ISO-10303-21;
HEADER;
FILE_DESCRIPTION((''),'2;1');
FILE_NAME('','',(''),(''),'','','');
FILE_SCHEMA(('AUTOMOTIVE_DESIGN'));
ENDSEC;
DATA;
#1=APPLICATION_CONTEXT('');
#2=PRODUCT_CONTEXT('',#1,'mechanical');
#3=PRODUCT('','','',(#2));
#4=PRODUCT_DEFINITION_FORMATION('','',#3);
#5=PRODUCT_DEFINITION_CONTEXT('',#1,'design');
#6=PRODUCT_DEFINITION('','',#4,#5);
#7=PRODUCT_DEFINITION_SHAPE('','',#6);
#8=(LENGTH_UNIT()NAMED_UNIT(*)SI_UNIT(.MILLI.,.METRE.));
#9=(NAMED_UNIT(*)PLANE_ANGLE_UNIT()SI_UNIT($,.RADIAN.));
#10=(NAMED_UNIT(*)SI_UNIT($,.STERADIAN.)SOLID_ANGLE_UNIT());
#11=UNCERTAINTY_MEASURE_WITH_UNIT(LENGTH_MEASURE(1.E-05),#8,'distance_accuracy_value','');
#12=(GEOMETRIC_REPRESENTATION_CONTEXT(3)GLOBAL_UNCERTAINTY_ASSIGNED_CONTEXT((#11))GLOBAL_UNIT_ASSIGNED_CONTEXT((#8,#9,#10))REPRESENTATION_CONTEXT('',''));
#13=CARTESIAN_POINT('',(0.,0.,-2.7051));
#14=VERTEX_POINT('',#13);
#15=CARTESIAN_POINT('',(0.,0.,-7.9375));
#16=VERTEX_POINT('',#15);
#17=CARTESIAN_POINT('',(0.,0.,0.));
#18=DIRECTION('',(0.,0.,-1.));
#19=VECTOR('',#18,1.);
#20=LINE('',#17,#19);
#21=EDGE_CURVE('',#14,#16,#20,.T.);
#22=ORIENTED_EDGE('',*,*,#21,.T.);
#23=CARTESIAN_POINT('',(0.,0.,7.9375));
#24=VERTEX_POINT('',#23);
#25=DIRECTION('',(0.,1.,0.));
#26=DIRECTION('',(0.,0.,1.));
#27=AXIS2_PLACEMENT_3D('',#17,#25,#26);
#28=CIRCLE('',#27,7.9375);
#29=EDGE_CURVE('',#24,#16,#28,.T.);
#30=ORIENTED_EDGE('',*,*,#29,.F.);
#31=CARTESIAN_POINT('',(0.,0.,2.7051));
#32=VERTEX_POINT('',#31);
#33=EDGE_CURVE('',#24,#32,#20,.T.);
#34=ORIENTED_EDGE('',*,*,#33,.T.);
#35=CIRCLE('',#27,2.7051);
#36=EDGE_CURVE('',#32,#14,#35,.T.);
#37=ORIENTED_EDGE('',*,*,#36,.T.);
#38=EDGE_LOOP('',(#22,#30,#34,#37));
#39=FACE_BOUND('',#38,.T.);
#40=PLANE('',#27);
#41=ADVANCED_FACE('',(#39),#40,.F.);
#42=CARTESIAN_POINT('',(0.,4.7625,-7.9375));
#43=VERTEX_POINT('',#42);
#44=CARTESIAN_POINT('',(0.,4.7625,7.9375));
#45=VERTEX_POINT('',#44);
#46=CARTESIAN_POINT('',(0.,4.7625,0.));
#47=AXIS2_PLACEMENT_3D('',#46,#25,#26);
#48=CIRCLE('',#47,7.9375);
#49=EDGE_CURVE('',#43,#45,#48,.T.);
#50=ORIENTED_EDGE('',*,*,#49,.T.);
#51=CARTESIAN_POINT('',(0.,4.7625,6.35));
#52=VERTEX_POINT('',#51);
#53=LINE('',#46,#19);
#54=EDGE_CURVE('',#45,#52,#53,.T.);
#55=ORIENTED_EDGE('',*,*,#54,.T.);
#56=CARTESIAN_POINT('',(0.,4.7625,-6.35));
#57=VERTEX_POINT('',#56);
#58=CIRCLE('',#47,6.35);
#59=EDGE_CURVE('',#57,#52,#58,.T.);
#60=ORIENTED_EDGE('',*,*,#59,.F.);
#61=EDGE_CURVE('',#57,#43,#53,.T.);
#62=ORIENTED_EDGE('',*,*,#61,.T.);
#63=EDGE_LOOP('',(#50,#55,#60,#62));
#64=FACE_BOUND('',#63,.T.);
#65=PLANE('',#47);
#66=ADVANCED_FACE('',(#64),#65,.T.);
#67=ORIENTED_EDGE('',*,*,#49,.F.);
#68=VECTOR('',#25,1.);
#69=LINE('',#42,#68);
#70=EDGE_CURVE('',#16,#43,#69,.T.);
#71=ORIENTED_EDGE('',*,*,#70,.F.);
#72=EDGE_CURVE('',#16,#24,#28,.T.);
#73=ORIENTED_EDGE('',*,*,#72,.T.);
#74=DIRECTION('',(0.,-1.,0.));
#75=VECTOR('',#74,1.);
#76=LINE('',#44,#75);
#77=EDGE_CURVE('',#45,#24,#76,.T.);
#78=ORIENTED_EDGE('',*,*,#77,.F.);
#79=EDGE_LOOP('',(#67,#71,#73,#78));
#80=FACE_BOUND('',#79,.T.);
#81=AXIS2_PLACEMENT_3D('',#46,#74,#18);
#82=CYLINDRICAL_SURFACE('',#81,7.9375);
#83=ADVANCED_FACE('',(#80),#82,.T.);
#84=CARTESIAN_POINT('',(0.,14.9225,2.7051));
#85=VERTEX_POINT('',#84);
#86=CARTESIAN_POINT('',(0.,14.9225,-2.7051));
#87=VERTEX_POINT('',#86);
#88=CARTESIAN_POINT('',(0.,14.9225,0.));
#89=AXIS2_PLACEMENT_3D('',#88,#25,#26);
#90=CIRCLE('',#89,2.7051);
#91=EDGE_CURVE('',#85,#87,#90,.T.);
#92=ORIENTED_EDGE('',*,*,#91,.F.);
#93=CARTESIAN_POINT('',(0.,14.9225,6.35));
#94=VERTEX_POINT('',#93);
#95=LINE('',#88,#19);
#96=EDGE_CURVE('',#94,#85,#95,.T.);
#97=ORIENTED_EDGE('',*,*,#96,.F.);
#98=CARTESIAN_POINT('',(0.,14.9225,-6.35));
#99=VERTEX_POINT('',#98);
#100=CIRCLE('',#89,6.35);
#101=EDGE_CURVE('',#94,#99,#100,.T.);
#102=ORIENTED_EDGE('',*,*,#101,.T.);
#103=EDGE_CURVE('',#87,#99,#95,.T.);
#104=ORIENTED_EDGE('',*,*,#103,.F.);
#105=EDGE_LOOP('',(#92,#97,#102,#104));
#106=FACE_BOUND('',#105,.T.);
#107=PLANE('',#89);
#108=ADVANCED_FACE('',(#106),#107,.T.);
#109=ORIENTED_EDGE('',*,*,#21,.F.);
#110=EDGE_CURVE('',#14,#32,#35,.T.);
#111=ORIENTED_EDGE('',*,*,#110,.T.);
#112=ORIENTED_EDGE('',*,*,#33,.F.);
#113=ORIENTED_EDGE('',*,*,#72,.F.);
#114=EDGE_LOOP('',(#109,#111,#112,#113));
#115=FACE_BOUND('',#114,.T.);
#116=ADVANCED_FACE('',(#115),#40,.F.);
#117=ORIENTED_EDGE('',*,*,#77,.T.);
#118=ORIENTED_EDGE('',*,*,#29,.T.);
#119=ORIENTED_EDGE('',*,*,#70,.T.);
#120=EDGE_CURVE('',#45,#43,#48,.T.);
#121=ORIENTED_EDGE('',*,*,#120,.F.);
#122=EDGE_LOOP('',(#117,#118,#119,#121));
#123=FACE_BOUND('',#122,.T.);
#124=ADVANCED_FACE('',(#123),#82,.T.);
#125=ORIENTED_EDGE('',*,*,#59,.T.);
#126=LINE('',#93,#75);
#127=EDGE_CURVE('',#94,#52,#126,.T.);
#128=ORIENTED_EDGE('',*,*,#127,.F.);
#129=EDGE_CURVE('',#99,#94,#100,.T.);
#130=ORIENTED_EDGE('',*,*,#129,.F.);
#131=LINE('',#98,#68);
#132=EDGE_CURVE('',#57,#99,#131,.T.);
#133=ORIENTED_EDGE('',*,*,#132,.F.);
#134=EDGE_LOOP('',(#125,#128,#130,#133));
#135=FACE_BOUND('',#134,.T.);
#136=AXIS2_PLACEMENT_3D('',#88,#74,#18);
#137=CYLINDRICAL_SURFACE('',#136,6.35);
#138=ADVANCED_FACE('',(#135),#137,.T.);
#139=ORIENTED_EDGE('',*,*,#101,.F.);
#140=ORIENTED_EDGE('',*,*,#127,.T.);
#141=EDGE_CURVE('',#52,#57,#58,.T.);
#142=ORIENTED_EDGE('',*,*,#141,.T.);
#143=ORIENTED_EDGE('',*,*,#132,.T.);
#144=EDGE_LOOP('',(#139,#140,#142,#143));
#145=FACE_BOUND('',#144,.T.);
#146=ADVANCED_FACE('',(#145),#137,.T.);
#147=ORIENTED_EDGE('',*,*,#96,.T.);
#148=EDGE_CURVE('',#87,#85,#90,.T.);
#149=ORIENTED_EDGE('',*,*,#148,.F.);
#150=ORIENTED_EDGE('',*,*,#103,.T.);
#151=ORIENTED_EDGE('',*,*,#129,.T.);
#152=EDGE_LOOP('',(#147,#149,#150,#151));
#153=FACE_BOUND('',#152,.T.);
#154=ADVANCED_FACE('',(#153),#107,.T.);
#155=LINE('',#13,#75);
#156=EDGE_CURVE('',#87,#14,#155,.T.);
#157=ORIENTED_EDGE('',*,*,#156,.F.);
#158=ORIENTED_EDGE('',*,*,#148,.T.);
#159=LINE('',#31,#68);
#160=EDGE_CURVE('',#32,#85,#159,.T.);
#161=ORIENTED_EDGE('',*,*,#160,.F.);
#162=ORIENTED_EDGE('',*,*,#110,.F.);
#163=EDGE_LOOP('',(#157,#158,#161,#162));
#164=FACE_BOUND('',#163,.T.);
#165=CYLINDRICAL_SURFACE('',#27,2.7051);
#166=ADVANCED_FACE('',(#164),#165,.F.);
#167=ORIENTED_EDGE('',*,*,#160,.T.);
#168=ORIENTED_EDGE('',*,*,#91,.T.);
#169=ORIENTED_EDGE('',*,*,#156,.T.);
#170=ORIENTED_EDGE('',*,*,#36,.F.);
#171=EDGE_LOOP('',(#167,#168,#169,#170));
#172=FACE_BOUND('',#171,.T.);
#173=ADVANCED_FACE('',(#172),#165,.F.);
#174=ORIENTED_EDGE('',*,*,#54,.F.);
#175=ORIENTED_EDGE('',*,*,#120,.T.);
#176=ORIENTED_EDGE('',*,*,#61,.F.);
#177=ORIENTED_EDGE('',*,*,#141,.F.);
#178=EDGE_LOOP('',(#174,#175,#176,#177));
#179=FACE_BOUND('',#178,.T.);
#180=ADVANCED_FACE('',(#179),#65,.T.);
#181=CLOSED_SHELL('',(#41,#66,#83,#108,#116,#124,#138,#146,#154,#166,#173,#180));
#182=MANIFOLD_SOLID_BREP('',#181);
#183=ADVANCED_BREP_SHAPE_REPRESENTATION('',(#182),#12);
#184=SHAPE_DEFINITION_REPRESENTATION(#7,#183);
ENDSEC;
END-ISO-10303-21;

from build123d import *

# Parameters (mm, degrees)
SKETCH1_R           = 7.9375
BOSS_EXTRUDE1_DEPTH = 4.7625
SKETCH2_R           = 6.35
BOSS_EXTRUDE2_DEPTH = 10.16
SKETCH3_R           = 2.7051
CUT_EXTRUDE1_DEPTH  = 19.67321126


with BuildPart() as part:
    # Sketch1 → Boss-Extrude1 (new body)
    with BuildSketch(Plane(origin=(0, 0, 0), x_dir=(1, 0, 0), z_dir=(0, 1, 0))):
        with Locations(Location((0, 0, 0), (0, 0, 90))):
            Circle(SKETCH1_R)
    extrude(amount=BOSS_EXTRUDE1_DEPTH)

    # Sketch2 → Boss-Extrude2 (add)
    with BuildSketch(Plane(origin=(0, 4.7625, 0), x_dir=(1, 0, 0), z_dir=(0, 1, 0))):
        with Locations(Location((0, 0, 0), (0, 0, 270))):
            Circle(SKETCH2_R)
    extrude(amount=BOSS_EXTRUDE2_DEPTH)

    # Sketch3 → Cut-Extrude1 (cut, through all)
    with BuildSketch(Plane(origin=(0, 14.9225, 0), x_dir=(1, 0, 0), z_dir=(0, 1, 0))):
        with Locations(Location((0, 0, 0), (0, 0, 270))):
            Circle(SKETCH3_R)
    extrude(amount=-CUT_EXTRUDE1_DEPTH, mode=Mode.SUBTRACT)


solid = part.part
